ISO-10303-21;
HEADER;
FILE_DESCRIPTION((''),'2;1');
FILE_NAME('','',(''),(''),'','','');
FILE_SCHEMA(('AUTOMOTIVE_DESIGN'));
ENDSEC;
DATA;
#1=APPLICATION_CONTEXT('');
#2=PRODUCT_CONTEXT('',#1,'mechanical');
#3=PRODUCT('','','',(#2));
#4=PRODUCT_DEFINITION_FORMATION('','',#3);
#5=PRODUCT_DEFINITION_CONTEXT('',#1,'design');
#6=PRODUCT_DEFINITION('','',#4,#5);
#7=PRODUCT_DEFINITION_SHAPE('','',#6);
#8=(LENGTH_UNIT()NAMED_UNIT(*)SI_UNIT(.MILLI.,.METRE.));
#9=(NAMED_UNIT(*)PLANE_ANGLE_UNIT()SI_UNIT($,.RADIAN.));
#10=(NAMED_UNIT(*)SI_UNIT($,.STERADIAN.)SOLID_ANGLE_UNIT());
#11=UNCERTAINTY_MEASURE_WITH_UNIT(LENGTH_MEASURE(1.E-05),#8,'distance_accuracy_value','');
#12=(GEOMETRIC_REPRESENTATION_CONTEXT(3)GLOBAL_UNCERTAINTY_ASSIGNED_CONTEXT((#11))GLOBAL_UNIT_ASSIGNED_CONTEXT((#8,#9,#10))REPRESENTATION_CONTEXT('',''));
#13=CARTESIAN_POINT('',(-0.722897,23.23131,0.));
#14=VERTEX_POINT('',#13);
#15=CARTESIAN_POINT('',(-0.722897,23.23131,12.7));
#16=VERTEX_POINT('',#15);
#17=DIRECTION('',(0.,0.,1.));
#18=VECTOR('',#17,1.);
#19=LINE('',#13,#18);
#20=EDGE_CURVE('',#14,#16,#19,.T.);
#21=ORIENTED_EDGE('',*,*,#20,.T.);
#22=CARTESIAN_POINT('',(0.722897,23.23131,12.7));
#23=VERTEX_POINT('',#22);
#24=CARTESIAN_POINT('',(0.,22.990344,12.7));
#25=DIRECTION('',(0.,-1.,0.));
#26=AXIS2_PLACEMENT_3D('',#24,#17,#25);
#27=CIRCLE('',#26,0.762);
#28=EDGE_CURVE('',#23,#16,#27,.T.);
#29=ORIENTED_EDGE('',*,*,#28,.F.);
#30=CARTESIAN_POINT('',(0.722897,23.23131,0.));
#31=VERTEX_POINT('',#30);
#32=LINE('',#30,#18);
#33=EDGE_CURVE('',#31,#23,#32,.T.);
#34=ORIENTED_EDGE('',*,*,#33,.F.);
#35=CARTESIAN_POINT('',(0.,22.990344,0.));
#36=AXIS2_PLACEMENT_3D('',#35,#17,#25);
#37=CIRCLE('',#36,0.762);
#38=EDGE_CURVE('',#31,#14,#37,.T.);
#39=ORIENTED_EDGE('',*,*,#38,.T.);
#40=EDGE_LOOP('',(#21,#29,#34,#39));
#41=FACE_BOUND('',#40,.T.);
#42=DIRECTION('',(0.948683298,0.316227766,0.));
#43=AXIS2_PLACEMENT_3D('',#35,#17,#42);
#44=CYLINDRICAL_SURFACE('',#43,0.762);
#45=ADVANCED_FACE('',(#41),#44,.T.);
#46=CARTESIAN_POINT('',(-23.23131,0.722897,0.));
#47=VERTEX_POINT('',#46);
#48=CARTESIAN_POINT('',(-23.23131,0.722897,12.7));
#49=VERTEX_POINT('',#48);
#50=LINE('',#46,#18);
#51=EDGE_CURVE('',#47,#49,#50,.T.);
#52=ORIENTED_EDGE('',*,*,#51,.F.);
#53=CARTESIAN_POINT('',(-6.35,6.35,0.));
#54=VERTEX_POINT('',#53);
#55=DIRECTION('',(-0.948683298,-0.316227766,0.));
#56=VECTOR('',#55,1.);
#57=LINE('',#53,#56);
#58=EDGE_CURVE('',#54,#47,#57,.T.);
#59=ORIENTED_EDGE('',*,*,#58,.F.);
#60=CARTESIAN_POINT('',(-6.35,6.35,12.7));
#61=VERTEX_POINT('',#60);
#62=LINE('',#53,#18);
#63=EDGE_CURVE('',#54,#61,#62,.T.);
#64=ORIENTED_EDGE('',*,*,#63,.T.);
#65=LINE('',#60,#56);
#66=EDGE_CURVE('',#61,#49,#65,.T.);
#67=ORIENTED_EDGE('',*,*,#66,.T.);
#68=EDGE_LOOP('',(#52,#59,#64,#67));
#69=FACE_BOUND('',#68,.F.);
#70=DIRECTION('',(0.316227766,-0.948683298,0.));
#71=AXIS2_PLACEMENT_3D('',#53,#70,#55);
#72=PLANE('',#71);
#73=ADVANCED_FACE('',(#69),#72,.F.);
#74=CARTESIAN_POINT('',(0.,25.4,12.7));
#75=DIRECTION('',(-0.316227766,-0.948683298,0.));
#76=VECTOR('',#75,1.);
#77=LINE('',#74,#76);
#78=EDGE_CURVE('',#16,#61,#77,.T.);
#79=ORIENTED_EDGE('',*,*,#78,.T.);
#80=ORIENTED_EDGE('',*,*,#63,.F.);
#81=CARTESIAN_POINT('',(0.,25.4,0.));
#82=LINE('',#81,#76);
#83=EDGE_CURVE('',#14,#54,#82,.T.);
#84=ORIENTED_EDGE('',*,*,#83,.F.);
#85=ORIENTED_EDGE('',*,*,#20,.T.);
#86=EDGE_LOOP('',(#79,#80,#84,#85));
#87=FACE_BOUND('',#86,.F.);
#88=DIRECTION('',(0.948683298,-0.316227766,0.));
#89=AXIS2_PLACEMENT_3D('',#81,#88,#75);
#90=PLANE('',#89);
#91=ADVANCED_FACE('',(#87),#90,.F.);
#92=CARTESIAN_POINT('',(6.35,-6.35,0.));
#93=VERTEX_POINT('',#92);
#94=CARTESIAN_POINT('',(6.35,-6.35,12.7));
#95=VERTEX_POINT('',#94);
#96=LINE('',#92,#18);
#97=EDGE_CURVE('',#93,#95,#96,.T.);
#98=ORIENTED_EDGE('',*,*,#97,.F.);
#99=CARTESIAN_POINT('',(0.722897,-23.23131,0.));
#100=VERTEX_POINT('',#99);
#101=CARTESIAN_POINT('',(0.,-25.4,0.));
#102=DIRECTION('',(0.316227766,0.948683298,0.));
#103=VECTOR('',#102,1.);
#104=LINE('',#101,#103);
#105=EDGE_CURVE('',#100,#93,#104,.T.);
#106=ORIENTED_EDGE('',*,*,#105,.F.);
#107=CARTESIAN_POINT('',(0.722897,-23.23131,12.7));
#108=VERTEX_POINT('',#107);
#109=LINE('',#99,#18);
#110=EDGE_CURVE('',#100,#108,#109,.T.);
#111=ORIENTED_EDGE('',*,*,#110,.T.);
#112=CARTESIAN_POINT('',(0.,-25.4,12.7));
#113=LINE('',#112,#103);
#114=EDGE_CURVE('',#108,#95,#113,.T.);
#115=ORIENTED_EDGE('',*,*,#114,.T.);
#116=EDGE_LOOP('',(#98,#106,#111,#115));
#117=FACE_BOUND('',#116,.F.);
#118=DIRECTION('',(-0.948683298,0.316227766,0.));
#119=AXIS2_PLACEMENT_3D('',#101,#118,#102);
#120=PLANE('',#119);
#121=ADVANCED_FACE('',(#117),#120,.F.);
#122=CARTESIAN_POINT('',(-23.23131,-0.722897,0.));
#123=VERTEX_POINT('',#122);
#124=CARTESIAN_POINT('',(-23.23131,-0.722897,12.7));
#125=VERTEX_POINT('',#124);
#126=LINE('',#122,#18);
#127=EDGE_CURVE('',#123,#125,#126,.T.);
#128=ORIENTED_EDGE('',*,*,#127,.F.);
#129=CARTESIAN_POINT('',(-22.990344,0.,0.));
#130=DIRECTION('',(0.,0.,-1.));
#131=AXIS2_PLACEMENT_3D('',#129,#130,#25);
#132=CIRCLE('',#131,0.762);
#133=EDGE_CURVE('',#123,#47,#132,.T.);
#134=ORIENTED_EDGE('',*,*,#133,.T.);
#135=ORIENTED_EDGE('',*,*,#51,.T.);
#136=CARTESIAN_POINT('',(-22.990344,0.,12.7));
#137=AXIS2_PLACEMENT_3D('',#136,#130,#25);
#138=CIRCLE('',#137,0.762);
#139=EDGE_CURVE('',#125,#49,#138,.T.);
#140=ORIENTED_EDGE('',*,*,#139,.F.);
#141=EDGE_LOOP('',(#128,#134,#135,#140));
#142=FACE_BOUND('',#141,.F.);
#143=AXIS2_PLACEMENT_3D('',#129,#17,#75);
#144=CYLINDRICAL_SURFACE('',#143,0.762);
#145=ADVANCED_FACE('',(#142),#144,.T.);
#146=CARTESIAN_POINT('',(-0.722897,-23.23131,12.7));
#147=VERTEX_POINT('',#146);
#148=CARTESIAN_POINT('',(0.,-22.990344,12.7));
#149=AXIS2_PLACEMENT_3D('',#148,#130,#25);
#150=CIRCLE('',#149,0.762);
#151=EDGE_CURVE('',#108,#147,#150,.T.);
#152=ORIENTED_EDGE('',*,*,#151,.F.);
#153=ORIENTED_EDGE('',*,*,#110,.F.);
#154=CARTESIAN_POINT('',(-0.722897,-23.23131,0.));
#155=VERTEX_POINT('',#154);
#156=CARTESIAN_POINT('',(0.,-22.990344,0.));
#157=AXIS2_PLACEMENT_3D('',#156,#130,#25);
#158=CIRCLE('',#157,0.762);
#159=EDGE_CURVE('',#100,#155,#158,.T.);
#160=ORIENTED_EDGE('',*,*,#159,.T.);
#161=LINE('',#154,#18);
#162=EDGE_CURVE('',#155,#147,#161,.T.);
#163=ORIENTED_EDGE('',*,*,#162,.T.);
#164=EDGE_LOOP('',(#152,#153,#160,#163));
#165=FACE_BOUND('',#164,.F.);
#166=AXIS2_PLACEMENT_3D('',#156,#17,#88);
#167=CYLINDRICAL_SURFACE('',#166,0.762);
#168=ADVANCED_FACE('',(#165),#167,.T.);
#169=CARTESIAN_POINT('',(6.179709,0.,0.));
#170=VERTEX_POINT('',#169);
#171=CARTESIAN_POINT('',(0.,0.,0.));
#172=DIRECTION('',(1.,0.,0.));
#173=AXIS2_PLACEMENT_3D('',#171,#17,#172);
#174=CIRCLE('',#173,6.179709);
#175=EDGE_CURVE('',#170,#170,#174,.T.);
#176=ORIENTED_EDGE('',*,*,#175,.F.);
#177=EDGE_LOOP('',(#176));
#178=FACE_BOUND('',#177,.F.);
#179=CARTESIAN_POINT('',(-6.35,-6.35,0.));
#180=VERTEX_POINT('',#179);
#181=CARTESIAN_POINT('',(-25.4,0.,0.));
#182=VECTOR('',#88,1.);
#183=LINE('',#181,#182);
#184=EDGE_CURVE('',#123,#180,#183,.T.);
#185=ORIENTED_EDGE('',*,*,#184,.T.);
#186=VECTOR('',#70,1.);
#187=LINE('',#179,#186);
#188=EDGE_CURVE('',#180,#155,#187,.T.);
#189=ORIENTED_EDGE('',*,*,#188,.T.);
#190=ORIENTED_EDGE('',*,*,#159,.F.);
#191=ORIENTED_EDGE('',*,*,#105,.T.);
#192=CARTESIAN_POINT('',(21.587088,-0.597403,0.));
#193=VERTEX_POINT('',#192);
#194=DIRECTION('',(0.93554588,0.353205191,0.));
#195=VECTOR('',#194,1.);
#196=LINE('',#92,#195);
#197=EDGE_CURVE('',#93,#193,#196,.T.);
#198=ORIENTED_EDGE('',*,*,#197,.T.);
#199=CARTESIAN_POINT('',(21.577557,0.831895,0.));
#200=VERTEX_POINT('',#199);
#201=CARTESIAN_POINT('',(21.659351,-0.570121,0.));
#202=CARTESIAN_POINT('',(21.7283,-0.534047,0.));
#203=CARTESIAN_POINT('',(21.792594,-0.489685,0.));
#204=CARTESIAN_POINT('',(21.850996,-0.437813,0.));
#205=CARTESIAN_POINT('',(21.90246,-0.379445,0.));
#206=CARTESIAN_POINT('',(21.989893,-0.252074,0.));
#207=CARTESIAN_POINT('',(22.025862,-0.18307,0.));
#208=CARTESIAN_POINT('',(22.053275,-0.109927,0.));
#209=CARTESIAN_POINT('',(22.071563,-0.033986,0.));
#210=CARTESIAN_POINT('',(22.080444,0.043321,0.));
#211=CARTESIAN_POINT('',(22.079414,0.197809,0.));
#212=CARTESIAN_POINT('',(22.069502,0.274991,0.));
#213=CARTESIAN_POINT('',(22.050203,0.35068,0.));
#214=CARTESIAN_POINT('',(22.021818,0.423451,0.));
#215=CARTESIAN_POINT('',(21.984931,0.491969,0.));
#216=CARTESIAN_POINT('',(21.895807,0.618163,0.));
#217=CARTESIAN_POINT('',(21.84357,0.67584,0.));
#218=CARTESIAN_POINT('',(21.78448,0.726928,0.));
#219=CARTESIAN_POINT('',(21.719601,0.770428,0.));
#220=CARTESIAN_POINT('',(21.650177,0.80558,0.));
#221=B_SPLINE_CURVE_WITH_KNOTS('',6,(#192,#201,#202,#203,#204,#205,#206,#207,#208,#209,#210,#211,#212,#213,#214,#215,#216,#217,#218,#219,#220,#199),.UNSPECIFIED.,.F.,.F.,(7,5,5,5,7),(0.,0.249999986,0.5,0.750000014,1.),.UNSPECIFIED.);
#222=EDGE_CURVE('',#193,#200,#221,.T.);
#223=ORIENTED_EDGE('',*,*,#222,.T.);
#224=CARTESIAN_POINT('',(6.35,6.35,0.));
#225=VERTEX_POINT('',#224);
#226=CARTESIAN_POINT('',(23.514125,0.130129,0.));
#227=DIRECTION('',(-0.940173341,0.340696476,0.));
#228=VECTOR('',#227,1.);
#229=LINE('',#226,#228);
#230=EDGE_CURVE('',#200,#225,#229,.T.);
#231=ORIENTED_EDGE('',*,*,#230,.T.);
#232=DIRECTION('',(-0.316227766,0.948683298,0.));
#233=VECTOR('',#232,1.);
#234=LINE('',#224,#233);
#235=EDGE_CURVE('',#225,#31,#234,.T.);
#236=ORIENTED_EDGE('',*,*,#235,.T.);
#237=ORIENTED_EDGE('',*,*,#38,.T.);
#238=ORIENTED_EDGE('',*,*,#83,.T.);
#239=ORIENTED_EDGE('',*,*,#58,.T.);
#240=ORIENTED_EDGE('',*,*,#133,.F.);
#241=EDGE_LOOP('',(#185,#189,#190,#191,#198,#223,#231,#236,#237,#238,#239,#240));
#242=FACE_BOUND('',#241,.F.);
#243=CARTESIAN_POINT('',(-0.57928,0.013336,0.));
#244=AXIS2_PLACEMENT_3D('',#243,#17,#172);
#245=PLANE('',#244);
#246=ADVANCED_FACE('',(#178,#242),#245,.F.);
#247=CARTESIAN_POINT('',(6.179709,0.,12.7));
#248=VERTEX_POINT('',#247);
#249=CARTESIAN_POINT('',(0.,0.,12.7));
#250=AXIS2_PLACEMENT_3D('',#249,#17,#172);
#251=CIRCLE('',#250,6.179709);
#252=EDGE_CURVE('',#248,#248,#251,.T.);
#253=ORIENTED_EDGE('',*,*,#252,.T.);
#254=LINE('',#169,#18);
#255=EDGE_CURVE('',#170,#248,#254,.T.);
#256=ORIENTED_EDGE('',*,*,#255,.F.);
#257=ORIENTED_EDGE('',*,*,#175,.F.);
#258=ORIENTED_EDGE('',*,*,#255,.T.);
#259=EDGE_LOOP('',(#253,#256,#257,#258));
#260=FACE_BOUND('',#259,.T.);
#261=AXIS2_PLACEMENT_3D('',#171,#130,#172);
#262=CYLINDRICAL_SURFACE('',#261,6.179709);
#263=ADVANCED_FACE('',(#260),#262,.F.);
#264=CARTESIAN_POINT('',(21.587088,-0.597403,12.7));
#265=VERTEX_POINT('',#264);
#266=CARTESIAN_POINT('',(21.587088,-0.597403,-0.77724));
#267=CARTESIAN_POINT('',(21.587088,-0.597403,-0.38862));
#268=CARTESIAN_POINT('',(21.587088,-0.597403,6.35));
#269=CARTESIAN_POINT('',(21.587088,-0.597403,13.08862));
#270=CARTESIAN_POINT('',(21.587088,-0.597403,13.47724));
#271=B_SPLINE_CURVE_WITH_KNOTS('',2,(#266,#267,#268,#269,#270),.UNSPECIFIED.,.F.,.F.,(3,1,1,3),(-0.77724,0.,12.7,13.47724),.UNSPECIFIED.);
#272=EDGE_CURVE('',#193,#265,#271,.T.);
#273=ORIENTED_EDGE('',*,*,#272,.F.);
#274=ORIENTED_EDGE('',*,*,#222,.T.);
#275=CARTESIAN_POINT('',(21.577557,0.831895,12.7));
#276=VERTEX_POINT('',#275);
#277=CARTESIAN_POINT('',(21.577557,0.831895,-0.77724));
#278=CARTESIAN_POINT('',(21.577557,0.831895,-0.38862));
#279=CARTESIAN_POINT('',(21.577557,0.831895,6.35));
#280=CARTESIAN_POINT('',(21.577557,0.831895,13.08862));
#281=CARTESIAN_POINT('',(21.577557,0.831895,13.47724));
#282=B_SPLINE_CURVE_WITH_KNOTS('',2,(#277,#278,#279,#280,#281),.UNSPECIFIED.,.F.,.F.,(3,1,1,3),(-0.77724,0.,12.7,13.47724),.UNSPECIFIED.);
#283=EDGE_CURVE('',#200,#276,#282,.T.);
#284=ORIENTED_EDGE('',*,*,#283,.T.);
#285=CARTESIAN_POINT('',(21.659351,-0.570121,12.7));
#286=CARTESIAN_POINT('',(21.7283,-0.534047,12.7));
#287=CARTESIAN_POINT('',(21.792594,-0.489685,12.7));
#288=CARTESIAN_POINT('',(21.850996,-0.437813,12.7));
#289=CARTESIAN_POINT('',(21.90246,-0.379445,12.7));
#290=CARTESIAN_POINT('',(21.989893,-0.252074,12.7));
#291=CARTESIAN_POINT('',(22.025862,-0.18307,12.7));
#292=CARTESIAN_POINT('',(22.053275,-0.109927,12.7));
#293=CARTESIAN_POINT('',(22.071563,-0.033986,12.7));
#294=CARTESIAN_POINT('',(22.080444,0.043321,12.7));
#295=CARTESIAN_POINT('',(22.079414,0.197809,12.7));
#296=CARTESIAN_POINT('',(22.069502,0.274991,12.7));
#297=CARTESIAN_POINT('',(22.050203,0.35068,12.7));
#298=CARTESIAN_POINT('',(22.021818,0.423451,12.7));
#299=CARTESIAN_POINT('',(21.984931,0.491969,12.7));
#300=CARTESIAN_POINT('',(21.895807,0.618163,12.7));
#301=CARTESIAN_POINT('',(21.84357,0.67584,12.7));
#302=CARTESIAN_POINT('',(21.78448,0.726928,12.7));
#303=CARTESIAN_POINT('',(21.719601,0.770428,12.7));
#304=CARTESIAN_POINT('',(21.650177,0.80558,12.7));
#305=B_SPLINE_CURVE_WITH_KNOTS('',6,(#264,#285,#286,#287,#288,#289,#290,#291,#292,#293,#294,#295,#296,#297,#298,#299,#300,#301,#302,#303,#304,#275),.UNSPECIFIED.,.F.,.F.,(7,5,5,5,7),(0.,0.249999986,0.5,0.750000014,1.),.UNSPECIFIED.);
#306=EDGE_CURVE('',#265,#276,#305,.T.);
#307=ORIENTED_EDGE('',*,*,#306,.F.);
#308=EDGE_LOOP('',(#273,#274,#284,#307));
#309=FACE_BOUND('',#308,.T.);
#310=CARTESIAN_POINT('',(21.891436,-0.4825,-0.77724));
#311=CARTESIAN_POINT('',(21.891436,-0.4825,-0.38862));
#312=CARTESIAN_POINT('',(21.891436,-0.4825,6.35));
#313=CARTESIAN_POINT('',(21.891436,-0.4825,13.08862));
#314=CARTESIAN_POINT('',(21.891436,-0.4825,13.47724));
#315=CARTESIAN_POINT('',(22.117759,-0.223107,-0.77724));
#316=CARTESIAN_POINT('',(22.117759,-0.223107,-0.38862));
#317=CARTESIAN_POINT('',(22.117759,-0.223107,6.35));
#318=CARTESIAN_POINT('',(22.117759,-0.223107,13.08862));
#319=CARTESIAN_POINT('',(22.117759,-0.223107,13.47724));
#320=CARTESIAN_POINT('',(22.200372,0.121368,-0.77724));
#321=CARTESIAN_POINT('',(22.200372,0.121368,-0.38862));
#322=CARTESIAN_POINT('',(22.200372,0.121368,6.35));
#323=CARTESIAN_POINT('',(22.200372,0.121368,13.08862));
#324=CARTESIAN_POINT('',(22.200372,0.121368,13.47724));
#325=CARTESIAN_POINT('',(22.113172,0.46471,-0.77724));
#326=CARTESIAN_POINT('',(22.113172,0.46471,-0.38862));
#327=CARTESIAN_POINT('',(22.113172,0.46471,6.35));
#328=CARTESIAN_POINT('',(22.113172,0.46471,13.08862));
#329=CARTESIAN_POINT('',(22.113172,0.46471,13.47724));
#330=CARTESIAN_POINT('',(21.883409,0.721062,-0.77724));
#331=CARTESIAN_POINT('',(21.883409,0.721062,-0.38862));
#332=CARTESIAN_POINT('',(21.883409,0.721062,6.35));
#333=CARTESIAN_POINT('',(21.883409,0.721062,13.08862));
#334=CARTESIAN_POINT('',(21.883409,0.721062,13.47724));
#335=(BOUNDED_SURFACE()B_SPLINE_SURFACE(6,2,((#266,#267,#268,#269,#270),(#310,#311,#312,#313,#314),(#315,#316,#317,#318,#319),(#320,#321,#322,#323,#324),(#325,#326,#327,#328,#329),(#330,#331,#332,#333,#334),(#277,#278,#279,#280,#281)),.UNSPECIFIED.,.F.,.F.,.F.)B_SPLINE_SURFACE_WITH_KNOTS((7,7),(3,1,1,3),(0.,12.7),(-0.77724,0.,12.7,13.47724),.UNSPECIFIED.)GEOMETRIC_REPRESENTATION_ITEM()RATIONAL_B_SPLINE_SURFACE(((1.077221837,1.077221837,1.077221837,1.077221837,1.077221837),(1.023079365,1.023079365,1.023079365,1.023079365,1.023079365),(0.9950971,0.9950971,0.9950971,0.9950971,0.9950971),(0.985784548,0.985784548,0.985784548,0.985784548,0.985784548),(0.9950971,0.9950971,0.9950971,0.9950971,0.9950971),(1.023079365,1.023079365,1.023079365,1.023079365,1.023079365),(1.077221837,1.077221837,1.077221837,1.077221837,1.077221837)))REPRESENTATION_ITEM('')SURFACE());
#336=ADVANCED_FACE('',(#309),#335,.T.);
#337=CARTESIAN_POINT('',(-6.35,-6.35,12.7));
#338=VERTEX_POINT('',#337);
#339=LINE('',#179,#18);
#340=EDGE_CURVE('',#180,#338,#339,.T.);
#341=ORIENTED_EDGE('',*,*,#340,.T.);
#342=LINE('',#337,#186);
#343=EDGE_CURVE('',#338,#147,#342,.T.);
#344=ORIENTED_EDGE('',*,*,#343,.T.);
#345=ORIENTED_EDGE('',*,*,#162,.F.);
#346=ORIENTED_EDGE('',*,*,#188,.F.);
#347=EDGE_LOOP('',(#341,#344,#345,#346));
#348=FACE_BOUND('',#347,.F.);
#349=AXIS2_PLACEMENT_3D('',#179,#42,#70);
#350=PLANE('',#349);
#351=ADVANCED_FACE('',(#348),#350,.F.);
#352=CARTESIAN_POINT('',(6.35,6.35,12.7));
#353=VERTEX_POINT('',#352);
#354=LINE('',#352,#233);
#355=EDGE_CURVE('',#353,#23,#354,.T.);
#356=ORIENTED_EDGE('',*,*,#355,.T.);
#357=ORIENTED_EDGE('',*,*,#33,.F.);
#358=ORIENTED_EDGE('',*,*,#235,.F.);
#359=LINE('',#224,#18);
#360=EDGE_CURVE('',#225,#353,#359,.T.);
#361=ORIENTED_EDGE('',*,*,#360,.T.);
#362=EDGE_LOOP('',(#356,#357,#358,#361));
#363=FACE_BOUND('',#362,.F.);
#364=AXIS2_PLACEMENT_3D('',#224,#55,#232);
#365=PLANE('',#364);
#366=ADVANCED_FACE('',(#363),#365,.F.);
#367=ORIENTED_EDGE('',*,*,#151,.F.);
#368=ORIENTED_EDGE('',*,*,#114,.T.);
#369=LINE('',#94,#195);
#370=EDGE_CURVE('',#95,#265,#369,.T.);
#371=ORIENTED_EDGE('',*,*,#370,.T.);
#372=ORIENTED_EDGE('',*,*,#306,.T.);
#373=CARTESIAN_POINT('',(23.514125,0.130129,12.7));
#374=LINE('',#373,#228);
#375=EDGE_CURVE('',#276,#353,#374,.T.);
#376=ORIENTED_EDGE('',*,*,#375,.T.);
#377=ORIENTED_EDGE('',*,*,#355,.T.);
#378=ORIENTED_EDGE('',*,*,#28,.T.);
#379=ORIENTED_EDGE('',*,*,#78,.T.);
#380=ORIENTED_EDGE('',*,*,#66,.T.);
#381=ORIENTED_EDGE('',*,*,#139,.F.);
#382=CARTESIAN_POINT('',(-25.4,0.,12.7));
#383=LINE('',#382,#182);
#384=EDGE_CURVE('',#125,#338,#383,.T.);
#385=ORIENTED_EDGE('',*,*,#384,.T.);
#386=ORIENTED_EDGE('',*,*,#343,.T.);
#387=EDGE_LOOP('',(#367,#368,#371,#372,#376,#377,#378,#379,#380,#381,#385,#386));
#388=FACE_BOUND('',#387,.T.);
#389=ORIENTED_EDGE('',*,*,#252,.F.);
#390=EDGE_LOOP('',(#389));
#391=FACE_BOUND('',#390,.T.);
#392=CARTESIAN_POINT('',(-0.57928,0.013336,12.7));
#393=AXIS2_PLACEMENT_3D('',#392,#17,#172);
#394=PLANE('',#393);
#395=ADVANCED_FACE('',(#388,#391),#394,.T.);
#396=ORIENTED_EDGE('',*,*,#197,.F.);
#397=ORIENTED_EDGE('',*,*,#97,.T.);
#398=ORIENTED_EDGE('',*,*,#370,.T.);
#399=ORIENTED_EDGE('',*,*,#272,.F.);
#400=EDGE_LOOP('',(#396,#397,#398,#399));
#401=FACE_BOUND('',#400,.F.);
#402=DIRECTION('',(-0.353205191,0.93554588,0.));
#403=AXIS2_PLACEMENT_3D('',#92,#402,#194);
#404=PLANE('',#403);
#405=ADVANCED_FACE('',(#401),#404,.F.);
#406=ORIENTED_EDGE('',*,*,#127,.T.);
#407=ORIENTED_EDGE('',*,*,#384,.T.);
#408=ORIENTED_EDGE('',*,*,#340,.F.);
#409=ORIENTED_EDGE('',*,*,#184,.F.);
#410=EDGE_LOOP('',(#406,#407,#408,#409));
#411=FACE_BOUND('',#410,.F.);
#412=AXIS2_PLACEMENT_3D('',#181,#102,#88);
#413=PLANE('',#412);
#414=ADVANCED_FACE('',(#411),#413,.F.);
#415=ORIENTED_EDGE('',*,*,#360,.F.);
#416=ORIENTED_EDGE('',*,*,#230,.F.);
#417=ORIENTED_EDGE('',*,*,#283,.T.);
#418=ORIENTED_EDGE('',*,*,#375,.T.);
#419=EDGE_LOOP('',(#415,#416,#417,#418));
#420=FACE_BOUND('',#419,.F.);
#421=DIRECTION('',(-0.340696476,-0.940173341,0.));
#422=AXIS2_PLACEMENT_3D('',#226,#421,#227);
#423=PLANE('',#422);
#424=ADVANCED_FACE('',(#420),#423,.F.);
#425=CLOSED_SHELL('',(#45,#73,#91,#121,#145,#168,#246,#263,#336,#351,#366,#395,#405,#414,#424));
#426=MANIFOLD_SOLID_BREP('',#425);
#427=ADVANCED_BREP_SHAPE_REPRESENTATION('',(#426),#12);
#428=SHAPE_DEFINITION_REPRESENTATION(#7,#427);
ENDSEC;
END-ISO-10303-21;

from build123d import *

# Parameters (mm, degrees)
F0_R     = 6.179709
F1_DEPTH = 12.7
F2_R     = 0.762


with BuildPart() as f1:
    # F0 (on Top) → F1 (new body)
    with BuildSketch(Plane.XY):
        Polygon((6.35, -6.35), (23.169448, 0), (23.514125, 0.130129), (6.35, 6.35), (0, 25.4), (-6.35, 6.35), (-25.4, 0), (-6.35, -6.35), (0, -25.4), align=None)
        Circle(F0_R, mode=Mode.SUBTRACT)
    extrude(amount=F1_DEPTH)

    # F2
    f2_edges = [f1.edges().sort_by_distance(p)[0] for p in [
        (23.514125, 0.130129, 6.35),
        (-25.4, 0, 6.35),
        (0, 25.4, 6.35),
        (0, -25.4, 6.35),
    ]]
    fillet(f2_edges, radius=F2_R)


solid = f1.part
